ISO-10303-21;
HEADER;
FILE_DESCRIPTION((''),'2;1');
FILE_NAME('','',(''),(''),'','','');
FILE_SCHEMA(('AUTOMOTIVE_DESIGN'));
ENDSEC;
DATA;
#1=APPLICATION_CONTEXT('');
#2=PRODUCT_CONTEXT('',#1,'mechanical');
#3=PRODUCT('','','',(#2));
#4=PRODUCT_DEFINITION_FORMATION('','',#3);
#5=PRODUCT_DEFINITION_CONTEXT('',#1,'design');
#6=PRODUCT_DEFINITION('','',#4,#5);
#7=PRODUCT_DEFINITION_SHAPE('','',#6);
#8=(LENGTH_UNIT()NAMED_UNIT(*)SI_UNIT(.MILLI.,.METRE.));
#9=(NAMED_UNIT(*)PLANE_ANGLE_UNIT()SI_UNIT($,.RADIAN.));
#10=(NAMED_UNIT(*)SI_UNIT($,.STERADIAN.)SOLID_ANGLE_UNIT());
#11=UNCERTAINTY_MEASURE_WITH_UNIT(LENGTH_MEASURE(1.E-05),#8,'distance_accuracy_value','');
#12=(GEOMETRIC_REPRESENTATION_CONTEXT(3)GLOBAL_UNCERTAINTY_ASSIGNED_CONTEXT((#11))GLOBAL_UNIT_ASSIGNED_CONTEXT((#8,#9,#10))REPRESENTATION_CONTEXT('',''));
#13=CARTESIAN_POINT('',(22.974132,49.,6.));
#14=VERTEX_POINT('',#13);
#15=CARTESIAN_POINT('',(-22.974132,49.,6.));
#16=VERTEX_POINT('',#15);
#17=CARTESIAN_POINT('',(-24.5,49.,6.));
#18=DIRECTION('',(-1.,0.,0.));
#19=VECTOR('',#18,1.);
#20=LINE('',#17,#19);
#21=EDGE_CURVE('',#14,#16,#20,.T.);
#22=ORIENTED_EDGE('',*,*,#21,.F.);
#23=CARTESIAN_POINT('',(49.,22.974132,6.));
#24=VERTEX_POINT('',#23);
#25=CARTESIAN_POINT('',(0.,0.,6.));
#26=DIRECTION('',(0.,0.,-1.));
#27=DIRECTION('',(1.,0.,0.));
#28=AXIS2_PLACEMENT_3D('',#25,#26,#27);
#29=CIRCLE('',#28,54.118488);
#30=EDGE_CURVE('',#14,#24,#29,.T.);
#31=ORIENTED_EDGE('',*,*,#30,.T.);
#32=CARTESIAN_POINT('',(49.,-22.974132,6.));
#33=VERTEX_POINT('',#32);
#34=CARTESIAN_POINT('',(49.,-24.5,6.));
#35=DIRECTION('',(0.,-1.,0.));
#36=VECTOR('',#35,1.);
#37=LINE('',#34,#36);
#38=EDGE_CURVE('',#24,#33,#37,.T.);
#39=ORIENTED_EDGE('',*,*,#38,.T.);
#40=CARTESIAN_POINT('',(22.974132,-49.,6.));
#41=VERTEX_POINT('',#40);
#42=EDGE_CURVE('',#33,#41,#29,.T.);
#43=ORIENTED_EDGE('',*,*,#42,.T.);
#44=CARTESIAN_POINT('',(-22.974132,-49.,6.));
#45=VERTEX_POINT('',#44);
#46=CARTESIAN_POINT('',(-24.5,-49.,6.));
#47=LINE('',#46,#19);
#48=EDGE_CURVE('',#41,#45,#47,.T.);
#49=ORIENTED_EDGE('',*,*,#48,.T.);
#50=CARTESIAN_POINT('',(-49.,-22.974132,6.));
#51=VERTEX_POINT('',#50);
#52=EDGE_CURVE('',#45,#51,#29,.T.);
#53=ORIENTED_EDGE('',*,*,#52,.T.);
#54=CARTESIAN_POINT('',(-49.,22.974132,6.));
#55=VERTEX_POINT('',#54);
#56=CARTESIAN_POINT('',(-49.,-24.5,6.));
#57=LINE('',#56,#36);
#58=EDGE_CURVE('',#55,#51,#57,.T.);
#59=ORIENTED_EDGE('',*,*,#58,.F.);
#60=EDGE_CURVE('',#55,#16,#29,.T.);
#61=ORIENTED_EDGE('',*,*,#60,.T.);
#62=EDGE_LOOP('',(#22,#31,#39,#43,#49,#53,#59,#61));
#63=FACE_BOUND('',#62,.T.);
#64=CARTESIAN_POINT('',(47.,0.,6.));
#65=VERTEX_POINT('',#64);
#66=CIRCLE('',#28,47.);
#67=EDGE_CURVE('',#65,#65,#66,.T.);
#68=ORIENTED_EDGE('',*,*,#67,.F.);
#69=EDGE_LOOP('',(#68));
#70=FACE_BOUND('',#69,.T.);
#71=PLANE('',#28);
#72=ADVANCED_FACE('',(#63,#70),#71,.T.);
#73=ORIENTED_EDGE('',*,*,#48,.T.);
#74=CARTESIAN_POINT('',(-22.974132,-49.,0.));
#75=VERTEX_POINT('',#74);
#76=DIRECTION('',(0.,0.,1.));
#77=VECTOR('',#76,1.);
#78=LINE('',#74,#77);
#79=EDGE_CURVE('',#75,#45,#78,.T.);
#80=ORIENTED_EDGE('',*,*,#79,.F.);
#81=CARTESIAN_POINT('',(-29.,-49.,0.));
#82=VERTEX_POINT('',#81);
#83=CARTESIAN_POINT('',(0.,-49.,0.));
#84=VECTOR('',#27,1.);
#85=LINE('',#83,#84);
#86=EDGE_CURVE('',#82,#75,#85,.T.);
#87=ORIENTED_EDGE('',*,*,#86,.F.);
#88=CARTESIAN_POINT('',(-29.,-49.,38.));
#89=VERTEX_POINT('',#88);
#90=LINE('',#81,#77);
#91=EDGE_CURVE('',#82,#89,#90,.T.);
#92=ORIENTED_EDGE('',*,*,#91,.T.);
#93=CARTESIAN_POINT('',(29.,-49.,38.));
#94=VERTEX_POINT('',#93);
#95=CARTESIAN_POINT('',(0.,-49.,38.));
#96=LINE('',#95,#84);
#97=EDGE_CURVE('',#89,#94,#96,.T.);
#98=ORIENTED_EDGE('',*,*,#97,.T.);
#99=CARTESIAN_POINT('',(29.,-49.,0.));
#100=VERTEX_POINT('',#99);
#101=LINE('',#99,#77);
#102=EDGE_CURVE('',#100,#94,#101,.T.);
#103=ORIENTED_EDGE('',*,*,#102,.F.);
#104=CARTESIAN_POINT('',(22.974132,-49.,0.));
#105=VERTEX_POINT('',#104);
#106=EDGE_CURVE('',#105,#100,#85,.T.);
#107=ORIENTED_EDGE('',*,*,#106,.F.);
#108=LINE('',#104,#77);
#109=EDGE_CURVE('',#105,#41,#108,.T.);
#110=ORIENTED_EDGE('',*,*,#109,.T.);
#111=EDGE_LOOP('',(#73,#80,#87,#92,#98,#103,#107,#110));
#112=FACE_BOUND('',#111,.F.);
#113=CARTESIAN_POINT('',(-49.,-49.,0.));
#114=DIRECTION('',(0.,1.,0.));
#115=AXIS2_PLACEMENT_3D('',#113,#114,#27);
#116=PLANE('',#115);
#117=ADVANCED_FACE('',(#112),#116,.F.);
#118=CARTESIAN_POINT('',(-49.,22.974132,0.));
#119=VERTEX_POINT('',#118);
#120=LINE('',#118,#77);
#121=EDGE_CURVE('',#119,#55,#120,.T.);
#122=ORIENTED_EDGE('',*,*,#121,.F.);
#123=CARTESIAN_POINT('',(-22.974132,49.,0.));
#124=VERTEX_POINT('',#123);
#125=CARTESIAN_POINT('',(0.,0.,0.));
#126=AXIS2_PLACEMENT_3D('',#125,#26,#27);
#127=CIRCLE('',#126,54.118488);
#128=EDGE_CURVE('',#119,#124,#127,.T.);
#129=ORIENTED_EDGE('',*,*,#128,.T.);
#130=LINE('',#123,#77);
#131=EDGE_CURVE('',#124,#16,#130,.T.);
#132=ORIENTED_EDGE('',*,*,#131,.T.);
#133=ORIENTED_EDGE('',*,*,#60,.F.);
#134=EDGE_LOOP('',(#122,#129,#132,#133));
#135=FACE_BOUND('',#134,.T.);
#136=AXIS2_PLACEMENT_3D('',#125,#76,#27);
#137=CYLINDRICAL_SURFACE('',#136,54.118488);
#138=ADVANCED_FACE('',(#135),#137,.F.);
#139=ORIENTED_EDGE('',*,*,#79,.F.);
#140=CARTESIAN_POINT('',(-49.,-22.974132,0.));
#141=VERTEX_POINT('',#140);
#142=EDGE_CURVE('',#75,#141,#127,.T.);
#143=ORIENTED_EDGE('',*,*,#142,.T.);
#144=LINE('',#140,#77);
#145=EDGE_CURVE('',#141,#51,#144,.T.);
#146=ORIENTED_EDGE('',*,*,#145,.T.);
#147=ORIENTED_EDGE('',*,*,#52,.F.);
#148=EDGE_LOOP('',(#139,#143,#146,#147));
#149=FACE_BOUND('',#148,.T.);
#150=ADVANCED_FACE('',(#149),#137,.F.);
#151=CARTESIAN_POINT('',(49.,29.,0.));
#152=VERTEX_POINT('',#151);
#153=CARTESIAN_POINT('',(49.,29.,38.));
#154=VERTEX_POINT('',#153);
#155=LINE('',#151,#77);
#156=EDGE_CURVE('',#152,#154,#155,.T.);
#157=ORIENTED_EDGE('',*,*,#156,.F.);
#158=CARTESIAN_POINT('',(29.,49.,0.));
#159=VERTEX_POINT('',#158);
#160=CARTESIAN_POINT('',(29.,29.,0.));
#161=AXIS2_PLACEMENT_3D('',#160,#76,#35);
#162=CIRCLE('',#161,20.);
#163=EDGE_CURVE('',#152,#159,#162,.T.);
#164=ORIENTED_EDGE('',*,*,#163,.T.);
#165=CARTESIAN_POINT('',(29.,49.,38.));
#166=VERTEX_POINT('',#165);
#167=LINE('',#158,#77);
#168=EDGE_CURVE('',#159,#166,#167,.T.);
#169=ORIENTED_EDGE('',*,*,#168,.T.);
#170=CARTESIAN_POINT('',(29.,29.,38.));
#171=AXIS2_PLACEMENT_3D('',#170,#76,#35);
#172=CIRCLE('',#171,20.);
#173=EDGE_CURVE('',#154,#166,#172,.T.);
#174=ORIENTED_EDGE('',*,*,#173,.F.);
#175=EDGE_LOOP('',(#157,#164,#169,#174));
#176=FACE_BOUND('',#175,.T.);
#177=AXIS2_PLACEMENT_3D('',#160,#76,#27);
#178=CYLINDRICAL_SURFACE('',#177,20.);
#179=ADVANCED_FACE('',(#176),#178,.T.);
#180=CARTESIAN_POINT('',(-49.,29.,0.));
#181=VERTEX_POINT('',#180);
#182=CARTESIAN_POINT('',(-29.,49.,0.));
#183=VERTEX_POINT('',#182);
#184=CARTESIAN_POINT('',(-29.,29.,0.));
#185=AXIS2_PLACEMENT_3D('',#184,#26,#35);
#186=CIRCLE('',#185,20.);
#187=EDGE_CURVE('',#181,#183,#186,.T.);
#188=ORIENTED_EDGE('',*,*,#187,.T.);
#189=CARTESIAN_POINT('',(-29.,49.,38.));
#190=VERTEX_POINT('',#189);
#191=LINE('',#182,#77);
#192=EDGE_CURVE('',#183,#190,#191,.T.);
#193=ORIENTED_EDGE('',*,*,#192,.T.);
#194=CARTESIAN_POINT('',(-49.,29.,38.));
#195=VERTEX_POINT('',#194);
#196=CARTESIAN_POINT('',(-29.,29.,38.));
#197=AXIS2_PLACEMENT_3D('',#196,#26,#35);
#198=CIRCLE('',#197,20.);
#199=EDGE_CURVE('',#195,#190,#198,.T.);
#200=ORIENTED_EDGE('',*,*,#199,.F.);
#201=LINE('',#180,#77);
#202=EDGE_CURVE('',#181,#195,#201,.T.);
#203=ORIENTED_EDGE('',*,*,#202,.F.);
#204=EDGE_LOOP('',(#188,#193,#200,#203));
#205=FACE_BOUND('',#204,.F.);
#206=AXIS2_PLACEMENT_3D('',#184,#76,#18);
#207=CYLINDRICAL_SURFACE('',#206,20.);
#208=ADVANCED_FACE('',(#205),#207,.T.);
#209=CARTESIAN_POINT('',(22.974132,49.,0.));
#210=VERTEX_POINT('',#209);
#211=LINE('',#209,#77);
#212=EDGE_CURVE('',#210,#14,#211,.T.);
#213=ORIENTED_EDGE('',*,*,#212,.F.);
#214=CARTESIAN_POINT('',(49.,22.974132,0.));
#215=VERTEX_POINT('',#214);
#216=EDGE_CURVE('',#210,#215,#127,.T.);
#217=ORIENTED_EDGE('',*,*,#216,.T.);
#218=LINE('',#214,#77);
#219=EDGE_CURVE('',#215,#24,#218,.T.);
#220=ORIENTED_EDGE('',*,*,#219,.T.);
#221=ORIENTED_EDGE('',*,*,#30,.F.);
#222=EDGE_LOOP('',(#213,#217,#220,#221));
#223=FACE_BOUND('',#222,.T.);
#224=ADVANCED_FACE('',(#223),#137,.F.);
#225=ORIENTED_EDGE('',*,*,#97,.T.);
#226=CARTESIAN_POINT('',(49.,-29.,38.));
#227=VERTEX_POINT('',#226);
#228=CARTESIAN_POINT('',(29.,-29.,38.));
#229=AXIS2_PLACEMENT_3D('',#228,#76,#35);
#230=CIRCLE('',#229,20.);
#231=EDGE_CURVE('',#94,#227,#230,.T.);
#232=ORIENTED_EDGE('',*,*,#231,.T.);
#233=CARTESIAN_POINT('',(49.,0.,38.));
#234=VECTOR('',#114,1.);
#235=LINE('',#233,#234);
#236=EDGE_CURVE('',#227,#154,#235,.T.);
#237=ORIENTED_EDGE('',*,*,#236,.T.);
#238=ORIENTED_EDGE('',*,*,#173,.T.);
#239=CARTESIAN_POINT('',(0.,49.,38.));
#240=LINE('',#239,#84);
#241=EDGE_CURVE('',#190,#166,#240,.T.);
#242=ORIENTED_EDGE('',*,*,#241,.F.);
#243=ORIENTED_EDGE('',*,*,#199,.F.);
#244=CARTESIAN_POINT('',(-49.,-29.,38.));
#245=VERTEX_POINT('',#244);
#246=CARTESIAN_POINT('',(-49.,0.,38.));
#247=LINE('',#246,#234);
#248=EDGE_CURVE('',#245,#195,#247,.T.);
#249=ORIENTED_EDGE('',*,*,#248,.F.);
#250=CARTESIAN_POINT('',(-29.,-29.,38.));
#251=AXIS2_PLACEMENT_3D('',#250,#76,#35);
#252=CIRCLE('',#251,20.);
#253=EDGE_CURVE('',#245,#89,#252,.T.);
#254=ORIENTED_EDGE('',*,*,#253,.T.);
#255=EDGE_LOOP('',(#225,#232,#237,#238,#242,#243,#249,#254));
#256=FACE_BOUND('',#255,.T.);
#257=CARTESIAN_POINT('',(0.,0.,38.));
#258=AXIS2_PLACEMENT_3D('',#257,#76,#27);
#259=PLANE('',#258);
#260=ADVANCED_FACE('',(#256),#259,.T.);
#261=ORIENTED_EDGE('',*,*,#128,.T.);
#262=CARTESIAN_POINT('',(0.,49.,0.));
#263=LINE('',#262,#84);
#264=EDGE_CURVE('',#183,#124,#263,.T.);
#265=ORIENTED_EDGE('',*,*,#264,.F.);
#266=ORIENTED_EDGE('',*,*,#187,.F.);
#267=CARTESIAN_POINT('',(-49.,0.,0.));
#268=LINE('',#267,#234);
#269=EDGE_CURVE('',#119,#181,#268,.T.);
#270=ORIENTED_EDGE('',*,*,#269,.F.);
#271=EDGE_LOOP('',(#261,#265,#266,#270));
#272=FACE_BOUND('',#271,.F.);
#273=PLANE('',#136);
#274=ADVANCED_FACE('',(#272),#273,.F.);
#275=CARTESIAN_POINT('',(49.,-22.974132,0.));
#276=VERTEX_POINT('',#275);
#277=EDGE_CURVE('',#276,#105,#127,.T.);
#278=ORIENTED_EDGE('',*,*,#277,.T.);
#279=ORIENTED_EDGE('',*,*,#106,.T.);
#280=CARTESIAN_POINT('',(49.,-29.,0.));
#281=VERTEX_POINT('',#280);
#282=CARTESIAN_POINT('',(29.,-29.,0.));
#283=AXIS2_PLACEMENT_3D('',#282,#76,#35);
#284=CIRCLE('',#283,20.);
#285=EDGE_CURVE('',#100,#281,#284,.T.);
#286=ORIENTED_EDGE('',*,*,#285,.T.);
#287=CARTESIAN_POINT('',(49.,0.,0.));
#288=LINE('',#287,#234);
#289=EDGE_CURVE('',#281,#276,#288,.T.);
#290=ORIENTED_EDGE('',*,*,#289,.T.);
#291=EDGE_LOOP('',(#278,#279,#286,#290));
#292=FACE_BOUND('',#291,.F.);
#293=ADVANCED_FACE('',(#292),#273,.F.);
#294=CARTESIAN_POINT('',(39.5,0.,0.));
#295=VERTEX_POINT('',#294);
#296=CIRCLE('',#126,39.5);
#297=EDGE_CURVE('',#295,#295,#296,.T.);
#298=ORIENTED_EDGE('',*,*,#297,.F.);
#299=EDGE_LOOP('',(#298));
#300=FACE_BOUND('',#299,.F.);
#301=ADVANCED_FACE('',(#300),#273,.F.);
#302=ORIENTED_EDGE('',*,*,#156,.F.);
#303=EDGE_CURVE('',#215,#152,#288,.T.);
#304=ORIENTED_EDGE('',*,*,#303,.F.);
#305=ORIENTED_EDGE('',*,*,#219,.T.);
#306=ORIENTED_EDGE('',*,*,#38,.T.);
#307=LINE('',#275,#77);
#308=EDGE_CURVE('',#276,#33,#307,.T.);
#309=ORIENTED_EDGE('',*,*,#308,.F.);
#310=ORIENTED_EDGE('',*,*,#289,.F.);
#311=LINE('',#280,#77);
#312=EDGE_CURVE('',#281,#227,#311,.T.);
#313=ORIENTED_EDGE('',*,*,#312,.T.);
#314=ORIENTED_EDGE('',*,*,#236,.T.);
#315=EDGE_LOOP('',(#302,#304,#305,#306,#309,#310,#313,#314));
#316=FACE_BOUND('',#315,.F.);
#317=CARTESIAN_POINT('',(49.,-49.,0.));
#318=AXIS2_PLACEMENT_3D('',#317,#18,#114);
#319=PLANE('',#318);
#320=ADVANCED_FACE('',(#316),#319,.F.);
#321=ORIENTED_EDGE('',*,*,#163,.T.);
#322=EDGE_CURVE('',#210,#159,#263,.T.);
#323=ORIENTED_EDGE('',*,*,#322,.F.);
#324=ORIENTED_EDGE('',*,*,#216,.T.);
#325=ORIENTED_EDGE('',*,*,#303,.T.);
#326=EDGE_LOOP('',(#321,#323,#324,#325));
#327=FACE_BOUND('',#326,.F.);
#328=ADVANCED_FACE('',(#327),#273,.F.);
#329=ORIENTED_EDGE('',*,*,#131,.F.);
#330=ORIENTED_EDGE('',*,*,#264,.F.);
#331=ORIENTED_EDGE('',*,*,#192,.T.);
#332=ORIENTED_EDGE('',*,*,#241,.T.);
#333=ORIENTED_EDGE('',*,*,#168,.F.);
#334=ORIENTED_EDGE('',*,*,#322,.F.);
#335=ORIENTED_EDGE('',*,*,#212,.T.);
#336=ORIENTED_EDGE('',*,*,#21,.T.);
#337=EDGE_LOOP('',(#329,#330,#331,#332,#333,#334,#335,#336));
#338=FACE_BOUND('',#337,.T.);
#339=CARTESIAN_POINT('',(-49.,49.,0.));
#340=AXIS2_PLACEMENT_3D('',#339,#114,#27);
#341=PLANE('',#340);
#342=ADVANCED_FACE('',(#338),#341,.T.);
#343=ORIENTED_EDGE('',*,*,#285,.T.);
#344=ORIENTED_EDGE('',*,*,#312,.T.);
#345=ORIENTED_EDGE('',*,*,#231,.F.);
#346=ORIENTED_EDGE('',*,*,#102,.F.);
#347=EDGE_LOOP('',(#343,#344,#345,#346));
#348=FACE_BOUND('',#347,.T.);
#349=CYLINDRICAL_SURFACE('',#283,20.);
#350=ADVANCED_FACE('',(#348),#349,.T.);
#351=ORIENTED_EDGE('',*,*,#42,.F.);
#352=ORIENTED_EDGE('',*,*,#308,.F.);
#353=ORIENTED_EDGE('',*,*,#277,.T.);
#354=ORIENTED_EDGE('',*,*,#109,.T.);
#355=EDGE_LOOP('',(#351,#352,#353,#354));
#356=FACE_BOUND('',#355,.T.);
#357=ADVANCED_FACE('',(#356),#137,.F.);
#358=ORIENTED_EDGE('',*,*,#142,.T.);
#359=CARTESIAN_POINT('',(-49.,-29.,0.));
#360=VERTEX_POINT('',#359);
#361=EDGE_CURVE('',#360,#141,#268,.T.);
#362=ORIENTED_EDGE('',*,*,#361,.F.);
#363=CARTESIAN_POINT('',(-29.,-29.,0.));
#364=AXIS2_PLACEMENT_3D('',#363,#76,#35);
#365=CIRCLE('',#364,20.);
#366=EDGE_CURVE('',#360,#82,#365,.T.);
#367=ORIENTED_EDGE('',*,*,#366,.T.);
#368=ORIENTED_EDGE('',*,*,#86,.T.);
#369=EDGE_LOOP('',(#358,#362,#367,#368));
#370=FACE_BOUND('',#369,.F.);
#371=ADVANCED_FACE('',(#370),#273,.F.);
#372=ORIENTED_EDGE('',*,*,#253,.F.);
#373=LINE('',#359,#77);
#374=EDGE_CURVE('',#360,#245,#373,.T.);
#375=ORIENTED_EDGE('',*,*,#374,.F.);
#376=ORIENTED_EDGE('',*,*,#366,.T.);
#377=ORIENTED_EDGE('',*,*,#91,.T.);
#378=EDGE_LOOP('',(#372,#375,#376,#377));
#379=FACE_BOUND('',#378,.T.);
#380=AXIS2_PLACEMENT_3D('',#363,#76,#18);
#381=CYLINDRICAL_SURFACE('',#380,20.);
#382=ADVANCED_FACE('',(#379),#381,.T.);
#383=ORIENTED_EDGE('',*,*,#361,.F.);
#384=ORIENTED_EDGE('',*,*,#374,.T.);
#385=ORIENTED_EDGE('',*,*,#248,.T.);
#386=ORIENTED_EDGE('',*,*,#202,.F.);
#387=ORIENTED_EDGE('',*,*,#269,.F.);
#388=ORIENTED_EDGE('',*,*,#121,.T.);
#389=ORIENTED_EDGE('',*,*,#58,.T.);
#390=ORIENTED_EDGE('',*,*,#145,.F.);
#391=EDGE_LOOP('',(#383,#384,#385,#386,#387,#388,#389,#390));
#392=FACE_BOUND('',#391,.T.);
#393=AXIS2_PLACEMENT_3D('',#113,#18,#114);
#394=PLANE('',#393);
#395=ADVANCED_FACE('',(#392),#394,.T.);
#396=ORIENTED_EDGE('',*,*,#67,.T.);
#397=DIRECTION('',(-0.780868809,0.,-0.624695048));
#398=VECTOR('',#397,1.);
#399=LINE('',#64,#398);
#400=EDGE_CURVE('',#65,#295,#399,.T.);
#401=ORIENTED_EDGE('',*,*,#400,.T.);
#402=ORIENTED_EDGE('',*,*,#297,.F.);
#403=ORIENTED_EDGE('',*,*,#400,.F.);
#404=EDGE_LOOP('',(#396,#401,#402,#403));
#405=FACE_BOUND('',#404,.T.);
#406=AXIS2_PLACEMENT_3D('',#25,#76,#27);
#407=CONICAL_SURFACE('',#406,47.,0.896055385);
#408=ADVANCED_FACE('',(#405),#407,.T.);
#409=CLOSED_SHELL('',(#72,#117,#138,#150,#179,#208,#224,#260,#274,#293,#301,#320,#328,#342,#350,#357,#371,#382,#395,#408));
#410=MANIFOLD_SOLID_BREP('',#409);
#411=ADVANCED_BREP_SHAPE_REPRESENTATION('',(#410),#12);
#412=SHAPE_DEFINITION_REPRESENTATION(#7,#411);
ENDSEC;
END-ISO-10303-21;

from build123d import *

# Parameters (mm, degrees)
F0_W     = 98
F0_H     = 98
F1_DEPTH = 38
F2_R     = 20


with BuildPart() as f1:
    # F0 (on Top) → F1 (new body)
    with BuildSketch(Plane.XY):
        Rectangle(F0_W, F0_H)
    extrude(amount=F1_DEPTH)

    # F2
    f2_edges = [f1.edges().sort_by_distance(p)[0] for p in [
        (-49, 49, 19),
        (49, 49, 19),
        (49, -49, 19),
        (-49, -49, 19),
    ]]
    fillet(f2_edges, radius=F2_R)

    # F3 (on Front) → F4 (revolve, cut)
    with BuildSketch(Plane.XZ):
        Polygon((47, 6), (39.5, 0), (54.118488, 0), (54.118488, 6), align=None)
    revolve(axis=Axis((0, 0, 17.541468), (0, 0, -1)), mode=Mode.SUBTRACT)


solid = f1.part
